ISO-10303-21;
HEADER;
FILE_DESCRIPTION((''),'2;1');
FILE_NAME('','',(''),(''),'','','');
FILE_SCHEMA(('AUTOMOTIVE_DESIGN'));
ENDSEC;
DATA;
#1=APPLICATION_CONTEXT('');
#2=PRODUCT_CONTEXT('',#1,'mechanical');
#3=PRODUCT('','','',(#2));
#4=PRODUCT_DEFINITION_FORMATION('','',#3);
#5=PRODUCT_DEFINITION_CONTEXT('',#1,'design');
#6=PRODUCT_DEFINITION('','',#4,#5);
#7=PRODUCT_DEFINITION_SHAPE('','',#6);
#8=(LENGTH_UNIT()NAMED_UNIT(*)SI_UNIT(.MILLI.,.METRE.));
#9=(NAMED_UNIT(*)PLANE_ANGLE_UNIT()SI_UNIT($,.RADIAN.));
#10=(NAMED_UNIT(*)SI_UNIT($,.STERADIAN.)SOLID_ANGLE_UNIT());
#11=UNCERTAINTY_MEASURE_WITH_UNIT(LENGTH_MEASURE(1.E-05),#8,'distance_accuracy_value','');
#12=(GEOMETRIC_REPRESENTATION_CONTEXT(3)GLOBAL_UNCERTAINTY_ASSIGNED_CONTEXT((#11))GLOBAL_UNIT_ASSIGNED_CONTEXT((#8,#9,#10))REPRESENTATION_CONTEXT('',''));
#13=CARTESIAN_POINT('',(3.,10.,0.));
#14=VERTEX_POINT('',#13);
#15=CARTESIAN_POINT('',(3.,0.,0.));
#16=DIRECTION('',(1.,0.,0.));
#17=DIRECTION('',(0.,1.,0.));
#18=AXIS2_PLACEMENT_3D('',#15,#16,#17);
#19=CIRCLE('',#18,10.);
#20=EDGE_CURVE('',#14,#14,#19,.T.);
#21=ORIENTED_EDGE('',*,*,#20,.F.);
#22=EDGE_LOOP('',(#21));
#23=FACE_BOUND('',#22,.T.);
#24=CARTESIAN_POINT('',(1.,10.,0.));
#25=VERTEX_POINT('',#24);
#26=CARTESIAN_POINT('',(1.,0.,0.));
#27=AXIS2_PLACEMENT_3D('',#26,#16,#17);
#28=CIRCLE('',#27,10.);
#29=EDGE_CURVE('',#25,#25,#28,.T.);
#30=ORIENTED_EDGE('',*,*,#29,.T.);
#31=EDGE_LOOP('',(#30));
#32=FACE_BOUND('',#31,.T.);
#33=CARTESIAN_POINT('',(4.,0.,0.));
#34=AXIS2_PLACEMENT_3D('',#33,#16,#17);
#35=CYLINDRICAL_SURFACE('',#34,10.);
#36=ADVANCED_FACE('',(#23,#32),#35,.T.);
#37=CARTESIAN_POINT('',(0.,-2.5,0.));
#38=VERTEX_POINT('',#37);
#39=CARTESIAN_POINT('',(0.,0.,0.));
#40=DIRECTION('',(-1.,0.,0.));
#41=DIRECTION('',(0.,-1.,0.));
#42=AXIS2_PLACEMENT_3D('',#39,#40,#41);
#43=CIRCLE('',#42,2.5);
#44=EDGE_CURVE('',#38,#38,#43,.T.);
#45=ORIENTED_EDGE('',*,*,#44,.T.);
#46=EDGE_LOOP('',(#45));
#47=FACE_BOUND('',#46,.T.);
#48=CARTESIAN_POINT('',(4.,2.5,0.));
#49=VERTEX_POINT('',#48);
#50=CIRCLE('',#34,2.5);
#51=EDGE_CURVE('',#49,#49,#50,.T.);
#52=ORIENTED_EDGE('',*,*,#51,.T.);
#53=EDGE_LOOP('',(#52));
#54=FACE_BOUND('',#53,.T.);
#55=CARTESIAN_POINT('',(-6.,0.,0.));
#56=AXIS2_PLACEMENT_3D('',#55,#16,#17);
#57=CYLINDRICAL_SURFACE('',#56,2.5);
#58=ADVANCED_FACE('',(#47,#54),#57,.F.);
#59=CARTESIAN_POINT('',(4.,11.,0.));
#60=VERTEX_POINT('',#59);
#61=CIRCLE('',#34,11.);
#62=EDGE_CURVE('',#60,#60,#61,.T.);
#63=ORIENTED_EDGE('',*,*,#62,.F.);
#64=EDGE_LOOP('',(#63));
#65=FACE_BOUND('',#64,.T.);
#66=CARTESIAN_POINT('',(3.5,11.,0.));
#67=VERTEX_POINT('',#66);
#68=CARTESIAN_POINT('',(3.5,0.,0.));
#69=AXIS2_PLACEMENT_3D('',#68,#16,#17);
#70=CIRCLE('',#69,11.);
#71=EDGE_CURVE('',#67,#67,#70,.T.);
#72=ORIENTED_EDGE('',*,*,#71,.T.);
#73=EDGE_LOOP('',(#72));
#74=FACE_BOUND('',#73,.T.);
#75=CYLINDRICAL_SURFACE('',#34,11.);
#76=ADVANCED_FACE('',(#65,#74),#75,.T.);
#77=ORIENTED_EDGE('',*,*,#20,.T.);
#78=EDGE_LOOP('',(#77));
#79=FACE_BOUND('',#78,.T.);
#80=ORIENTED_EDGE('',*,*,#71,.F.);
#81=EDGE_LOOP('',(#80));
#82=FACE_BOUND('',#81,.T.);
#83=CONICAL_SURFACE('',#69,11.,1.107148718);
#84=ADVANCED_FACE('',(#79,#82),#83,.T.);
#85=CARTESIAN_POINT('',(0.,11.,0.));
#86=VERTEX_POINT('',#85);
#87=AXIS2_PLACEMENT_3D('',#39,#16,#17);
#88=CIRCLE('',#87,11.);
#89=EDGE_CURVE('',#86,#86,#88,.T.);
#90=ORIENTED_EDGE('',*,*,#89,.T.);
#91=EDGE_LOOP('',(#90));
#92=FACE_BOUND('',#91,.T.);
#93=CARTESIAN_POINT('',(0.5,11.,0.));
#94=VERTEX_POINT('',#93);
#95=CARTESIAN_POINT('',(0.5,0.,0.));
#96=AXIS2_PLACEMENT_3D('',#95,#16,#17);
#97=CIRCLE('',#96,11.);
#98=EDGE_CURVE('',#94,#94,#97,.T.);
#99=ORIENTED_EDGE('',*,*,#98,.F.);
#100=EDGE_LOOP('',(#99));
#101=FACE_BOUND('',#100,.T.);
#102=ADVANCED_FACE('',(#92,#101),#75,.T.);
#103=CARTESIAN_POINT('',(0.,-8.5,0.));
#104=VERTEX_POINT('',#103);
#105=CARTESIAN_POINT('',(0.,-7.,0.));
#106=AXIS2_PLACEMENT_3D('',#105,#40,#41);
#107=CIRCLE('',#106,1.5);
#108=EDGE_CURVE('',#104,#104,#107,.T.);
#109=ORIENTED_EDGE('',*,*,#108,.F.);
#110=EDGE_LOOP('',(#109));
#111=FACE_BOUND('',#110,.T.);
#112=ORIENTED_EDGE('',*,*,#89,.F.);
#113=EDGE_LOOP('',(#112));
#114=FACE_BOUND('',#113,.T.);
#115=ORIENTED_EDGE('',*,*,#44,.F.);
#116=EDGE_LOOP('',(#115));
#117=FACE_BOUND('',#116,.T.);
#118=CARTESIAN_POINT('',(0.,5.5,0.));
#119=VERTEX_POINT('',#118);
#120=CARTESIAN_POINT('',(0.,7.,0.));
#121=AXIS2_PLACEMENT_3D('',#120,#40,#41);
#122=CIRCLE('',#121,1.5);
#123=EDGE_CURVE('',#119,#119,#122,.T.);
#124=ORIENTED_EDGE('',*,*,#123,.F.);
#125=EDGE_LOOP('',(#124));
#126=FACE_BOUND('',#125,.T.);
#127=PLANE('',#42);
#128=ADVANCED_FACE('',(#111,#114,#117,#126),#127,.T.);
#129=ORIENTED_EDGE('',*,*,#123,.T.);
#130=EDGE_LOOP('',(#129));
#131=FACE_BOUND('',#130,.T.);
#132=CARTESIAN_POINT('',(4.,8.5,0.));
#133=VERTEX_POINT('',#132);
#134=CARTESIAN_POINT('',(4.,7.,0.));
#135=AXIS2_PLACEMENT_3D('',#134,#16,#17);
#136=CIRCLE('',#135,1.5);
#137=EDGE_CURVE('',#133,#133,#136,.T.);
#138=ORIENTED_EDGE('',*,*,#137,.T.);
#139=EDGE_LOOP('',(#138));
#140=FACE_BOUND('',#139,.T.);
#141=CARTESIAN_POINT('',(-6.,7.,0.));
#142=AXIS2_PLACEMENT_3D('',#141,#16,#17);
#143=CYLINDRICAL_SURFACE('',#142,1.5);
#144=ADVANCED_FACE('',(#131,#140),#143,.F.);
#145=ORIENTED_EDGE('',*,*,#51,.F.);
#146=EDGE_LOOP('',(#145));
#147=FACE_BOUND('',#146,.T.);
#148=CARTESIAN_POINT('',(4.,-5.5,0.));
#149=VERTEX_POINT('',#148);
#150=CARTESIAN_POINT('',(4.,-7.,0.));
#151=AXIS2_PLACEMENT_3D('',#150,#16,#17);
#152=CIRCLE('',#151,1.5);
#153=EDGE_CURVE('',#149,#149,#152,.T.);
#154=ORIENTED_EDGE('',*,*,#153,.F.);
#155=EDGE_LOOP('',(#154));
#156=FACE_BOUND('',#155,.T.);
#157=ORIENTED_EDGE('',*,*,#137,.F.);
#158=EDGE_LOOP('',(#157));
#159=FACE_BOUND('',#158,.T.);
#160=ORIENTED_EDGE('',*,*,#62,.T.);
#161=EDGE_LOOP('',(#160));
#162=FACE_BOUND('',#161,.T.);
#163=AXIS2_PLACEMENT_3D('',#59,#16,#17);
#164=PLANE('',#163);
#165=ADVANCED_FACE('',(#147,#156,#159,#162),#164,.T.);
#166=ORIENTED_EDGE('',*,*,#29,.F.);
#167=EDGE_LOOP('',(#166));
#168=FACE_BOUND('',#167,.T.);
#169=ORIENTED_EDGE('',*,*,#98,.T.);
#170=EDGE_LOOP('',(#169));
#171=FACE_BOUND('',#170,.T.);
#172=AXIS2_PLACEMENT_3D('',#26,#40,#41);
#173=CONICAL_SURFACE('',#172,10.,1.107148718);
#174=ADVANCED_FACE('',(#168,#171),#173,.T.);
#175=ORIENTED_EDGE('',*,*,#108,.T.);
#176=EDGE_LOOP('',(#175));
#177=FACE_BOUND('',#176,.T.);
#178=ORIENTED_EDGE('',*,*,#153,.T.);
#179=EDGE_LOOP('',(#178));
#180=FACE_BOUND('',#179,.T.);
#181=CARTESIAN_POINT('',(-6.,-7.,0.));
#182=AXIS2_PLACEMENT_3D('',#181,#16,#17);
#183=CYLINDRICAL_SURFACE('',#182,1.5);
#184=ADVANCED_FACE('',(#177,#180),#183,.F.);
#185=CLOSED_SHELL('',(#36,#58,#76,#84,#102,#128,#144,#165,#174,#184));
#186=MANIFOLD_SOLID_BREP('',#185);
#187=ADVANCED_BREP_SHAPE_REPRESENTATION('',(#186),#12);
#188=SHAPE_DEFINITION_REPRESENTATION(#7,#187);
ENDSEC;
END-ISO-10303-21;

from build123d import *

# Parameters (mm, degrees)
ESQUISSE2_R             = 2.5
ESQUISSE2_R_2           = 1.5
ENL_V_MAT_EXTRU_1_DEPTH = 10


with BuildPart() as part:
    # Esquisse1 → Révolution1 (revolve)
    with BuildSketch(Plane.XY):
        Polygon((0, 0), (0, 11), (0.5, 11), (1, 10), (3, 10), (3.5, 11), (4, 11), (4, 0), align=None)
    revolve(axis=Axis((4, 0, 0), (-1, 0, 0)))

    # Esquisse2 → Enlèv. mat.-Extru.1 (cut)
    with BuildSketch(Plane(origin=(4, 0, 0), x_dir=(0, 0, -1), z_dir=(1, 0, 0))):
        with Locations(Location((0, 0, 0), (0, 0, 90))):
            Circle(ESQUISSE2_R)
        with Locations(Location((0, 7, 0), (0, 0, 90))):
            Circle(ESQUISSE2_R_2)
        with Locations(Location((0, -7, 0), (0, 0, 90))):
            Circle(ESQUISSE2_R_2)
    extrude(amount=-ENL_V_MAT_EXTRU_1_DEPTH, mode=Mode.SUBTRACT)


solid = part.part
